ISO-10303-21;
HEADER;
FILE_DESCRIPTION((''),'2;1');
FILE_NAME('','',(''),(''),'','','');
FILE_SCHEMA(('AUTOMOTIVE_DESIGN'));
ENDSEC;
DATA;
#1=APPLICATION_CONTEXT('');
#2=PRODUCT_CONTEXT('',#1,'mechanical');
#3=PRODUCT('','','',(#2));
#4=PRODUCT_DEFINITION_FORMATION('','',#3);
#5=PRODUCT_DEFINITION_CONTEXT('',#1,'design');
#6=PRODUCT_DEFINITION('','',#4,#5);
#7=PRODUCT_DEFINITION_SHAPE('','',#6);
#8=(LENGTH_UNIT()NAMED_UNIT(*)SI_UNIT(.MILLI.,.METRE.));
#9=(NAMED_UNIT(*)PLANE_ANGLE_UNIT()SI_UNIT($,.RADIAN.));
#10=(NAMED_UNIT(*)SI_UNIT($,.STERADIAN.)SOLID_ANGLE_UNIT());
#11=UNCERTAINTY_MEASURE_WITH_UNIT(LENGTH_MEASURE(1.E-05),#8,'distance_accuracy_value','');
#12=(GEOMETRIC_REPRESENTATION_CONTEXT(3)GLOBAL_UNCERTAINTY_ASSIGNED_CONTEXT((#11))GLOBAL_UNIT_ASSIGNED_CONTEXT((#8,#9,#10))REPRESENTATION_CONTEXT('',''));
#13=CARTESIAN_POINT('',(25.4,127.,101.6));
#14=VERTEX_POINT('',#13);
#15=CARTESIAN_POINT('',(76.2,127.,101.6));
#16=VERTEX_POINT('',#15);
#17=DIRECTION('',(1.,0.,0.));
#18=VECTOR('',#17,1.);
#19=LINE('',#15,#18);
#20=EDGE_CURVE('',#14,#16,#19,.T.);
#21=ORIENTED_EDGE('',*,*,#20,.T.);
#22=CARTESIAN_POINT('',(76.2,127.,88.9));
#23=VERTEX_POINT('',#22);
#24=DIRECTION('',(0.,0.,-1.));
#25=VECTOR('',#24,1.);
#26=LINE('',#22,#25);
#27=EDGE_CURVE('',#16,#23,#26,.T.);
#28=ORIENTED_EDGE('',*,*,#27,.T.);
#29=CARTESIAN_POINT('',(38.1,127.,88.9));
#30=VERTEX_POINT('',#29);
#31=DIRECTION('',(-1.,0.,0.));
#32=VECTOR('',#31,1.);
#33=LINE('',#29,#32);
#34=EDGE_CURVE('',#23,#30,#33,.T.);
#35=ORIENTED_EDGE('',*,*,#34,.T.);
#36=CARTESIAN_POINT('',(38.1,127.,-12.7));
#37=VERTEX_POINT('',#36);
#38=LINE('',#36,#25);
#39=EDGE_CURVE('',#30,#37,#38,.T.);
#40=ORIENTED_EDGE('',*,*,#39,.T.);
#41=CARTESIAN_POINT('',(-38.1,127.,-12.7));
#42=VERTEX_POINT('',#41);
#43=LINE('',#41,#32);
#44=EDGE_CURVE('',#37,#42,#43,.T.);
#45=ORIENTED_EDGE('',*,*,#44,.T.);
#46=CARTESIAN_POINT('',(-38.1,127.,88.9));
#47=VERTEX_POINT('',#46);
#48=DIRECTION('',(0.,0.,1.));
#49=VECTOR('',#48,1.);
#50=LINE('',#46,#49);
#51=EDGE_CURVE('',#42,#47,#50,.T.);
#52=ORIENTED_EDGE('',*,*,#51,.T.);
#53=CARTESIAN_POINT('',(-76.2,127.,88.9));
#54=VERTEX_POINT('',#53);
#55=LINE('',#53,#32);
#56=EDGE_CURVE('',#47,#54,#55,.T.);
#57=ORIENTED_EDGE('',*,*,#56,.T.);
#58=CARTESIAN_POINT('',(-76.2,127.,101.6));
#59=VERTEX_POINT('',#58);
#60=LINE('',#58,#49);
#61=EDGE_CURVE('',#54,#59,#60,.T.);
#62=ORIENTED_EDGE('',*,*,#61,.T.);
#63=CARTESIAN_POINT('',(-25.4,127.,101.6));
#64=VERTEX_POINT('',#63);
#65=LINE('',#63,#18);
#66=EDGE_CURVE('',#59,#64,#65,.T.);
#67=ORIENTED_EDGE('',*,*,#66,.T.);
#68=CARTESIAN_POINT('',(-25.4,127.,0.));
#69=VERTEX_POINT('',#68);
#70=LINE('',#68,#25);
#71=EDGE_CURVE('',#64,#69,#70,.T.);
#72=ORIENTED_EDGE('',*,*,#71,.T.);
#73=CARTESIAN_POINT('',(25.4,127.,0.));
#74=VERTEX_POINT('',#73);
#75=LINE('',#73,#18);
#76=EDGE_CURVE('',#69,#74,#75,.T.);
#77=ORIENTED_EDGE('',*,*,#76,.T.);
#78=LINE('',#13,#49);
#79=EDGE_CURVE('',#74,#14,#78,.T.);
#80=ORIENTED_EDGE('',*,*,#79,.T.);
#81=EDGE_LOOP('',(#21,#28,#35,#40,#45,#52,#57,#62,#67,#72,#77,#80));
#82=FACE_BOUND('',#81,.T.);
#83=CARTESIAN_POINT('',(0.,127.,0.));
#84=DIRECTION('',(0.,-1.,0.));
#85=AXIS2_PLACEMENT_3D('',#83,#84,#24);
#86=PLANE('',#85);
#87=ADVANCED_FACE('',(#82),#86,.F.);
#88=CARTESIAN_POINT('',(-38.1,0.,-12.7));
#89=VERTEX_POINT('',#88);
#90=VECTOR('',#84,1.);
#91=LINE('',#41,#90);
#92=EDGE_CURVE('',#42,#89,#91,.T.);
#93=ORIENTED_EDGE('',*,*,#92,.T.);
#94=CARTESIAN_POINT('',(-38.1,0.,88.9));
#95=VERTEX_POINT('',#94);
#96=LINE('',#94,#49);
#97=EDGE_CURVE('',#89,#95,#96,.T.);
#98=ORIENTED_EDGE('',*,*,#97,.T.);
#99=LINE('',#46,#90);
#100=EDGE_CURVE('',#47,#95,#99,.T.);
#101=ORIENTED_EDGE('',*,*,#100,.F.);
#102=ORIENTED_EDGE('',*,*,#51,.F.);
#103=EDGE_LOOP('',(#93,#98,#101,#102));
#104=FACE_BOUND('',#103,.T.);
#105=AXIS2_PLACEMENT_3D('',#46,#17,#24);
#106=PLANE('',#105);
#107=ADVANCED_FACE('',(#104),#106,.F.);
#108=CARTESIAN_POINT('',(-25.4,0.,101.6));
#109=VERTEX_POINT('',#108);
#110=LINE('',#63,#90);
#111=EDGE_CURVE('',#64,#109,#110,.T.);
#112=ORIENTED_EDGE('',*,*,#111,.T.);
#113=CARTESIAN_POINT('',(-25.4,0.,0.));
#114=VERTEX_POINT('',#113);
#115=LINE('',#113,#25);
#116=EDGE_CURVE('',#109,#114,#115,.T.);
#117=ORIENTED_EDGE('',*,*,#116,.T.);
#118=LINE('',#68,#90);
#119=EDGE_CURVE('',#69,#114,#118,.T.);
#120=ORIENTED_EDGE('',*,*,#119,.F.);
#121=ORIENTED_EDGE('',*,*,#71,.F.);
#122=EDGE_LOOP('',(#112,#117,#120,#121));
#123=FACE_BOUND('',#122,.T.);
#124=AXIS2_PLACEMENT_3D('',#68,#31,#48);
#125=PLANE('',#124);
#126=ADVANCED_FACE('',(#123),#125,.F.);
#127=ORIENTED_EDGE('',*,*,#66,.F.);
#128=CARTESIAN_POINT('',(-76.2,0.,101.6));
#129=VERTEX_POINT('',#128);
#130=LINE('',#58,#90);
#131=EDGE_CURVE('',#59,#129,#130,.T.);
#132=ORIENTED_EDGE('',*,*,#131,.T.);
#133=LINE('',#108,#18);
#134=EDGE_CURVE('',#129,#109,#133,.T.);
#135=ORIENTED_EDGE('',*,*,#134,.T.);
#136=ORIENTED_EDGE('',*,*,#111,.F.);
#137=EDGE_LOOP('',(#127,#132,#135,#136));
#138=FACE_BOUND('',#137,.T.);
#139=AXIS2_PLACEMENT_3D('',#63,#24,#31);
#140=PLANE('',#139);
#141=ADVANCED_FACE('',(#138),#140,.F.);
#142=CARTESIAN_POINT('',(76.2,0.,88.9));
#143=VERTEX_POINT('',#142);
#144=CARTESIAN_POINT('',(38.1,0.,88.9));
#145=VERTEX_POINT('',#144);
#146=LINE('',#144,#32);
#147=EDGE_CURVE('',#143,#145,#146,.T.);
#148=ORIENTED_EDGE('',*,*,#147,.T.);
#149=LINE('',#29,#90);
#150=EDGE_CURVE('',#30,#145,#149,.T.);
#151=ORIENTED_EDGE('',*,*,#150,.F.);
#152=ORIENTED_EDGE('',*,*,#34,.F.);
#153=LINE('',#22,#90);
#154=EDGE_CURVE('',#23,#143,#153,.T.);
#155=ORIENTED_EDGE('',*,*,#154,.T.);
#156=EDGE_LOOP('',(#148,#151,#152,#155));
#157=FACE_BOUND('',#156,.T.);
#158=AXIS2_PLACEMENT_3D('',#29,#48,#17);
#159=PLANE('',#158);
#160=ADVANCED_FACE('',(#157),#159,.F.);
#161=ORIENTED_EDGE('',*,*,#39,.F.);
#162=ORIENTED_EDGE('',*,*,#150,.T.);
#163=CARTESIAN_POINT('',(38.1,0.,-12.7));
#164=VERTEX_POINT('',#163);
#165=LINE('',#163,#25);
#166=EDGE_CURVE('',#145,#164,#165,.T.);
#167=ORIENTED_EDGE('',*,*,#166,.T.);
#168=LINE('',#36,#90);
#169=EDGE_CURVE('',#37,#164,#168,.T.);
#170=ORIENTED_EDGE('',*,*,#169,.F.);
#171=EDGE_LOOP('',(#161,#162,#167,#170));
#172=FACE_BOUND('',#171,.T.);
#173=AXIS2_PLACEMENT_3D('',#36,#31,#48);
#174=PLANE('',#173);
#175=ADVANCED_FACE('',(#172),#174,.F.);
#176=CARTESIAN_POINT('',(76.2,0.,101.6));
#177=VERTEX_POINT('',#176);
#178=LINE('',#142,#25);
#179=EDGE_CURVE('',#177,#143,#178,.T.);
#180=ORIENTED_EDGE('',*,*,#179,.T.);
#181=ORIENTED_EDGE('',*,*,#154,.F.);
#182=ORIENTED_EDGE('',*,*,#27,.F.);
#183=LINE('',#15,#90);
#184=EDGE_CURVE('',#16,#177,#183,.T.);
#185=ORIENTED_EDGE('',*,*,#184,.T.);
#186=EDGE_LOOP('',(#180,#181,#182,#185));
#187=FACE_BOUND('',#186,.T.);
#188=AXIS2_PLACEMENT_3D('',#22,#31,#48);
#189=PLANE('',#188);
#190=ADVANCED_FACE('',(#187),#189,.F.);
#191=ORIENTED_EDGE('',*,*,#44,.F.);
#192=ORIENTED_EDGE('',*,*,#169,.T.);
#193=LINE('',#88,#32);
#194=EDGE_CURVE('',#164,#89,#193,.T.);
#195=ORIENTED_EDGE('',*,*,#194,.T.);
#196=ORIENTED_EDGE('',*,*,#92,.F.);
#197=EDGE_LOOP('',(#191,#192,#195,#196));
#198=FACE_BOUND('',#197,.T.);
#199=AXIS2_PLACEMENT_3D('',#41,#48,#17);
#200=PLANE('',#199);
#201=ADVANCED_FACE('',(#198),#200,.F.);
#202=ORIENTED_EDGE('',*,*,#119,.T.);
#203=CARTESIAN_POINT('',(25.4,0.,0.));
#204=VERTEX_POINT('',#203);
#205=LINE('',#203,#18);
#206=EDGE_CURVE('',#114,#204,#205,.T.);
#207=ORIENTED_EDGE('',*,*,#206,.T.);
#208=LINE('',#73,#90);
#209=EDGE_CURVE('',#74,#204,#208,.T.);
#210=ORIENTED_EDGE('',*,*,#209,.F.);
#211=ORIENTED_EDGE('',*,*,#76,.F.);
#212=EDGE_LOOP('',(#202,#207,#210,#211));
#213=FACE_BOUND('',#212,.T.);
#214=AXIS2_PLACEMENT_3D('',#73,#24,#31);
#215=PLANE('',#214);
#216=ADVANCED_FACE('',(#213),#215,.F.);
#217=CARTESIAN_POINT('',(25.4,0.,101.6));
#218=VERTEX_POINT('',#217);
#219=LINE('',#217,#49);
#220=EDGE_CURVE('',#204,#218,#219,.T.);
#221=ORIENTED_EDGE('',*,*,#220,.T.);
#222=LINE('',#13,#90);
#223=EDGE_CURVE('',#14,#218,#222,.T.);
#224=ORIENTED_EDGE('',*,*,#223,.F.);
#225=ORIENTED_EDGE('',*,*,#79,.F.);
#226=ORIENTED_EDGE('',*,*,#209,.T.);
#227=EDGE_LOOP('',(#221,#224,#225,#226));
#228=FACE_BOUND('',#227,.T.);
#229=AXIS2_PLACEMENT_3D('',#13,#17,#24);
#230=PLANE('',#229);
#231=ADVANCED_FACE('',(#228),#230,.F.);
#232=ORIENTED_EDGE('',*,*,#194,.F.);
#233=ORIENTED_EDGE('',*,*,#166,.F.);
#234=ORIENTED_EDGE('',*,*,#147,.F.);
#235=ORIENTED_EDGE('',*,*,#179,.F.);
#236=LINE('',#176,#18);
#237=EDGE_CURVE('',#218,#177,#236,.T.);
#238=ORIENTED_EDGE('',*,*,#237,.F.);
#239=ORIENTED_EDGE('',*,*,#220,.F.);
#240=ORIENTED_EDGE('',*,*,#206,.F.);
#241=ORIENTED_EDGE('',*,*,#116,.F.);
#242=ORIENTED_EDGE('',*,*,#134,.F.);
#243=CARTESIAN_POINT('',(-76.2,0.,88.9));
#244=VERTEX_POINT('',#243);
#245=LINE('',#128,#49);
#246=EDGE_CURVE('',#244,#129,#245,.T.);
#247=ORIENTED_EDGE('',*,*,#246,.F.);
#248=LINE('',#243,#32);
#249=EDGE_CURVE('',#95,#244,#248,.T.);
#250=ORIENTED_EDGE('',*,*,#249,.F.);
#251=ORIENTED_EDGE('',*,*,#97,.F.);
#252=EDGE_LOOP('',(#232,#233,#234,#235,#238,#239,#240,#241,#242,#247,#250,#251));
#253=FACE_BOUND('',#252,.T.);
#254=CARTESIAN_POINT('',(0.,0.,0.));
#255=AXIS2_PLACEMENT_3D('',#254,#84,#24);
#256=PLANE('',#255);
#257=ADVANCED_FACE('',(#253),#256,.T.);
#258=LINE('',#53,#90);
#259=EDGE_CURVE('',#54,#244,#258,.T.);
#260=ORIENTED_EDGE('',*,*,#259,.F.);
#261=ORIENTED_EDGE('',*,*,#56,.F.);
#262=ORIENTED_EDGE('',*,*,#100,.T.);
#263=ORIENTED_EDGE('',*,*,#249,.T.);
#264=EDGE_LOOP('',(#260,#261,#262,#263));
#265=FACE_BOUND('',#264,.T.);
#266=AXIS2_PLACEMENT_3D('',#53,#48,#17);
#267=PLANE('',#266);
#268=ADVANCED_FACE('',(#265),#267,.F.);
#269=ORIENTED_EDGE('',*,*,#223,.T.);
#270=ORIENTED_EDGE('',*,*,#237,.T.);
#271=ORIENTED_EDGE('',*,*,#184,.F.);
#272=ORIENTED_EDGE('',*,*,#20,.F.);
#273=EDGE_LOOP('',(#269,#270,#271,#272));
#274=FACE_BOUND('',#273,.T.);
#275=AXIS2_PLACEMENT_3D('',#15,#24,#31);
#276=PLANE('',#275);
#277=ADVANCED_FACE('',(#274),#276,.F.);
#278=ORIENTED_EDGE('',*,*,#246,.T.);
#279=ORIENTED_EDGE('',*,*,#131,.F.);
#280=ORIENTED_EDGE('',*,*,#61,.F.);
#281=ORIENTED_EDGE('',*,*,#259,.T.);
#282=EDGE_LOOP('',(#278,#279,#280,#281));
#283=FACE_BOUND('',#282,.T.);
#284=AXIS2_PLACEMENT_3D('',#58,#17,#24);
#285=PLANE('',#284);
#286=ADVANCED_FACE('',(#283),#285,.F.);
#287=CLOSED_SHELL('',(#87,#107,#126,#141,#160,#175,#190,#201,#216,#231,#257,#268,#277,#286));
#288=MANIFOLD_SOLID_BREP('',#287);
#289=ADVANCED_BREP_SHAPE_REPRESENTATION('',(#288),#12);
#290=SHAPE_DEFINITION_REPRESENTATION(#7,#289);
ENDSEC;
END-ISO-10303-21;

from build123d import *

# Parameters (mm, degrees)
BOSS_EXTRUDE1_DEPTH = 127


with BuildPart() as part:
    # Sketch1 → Boss-Extrude1 (new body)
    with BuildSketch(Plane(origin=(0, 0, 0), x_dir=(1, 0, 0), z_dir=(0, 1, 0))):
        Polygon((76.2, -88.9), (76.2, -101.6), (25.4, -101.6), (25.4, 0), (-25.4, 0), (-25.4, -101.6), (-76.2, -101.6), (-76.2, -88.9), (-38.1, -88.9), (-38.1, 12.7), (38.1, 12.7), (38.1, -88.9), align=None)
    extrude(amount=BOSS_EXTRUDE1_DEPTH)


solid = part.part
